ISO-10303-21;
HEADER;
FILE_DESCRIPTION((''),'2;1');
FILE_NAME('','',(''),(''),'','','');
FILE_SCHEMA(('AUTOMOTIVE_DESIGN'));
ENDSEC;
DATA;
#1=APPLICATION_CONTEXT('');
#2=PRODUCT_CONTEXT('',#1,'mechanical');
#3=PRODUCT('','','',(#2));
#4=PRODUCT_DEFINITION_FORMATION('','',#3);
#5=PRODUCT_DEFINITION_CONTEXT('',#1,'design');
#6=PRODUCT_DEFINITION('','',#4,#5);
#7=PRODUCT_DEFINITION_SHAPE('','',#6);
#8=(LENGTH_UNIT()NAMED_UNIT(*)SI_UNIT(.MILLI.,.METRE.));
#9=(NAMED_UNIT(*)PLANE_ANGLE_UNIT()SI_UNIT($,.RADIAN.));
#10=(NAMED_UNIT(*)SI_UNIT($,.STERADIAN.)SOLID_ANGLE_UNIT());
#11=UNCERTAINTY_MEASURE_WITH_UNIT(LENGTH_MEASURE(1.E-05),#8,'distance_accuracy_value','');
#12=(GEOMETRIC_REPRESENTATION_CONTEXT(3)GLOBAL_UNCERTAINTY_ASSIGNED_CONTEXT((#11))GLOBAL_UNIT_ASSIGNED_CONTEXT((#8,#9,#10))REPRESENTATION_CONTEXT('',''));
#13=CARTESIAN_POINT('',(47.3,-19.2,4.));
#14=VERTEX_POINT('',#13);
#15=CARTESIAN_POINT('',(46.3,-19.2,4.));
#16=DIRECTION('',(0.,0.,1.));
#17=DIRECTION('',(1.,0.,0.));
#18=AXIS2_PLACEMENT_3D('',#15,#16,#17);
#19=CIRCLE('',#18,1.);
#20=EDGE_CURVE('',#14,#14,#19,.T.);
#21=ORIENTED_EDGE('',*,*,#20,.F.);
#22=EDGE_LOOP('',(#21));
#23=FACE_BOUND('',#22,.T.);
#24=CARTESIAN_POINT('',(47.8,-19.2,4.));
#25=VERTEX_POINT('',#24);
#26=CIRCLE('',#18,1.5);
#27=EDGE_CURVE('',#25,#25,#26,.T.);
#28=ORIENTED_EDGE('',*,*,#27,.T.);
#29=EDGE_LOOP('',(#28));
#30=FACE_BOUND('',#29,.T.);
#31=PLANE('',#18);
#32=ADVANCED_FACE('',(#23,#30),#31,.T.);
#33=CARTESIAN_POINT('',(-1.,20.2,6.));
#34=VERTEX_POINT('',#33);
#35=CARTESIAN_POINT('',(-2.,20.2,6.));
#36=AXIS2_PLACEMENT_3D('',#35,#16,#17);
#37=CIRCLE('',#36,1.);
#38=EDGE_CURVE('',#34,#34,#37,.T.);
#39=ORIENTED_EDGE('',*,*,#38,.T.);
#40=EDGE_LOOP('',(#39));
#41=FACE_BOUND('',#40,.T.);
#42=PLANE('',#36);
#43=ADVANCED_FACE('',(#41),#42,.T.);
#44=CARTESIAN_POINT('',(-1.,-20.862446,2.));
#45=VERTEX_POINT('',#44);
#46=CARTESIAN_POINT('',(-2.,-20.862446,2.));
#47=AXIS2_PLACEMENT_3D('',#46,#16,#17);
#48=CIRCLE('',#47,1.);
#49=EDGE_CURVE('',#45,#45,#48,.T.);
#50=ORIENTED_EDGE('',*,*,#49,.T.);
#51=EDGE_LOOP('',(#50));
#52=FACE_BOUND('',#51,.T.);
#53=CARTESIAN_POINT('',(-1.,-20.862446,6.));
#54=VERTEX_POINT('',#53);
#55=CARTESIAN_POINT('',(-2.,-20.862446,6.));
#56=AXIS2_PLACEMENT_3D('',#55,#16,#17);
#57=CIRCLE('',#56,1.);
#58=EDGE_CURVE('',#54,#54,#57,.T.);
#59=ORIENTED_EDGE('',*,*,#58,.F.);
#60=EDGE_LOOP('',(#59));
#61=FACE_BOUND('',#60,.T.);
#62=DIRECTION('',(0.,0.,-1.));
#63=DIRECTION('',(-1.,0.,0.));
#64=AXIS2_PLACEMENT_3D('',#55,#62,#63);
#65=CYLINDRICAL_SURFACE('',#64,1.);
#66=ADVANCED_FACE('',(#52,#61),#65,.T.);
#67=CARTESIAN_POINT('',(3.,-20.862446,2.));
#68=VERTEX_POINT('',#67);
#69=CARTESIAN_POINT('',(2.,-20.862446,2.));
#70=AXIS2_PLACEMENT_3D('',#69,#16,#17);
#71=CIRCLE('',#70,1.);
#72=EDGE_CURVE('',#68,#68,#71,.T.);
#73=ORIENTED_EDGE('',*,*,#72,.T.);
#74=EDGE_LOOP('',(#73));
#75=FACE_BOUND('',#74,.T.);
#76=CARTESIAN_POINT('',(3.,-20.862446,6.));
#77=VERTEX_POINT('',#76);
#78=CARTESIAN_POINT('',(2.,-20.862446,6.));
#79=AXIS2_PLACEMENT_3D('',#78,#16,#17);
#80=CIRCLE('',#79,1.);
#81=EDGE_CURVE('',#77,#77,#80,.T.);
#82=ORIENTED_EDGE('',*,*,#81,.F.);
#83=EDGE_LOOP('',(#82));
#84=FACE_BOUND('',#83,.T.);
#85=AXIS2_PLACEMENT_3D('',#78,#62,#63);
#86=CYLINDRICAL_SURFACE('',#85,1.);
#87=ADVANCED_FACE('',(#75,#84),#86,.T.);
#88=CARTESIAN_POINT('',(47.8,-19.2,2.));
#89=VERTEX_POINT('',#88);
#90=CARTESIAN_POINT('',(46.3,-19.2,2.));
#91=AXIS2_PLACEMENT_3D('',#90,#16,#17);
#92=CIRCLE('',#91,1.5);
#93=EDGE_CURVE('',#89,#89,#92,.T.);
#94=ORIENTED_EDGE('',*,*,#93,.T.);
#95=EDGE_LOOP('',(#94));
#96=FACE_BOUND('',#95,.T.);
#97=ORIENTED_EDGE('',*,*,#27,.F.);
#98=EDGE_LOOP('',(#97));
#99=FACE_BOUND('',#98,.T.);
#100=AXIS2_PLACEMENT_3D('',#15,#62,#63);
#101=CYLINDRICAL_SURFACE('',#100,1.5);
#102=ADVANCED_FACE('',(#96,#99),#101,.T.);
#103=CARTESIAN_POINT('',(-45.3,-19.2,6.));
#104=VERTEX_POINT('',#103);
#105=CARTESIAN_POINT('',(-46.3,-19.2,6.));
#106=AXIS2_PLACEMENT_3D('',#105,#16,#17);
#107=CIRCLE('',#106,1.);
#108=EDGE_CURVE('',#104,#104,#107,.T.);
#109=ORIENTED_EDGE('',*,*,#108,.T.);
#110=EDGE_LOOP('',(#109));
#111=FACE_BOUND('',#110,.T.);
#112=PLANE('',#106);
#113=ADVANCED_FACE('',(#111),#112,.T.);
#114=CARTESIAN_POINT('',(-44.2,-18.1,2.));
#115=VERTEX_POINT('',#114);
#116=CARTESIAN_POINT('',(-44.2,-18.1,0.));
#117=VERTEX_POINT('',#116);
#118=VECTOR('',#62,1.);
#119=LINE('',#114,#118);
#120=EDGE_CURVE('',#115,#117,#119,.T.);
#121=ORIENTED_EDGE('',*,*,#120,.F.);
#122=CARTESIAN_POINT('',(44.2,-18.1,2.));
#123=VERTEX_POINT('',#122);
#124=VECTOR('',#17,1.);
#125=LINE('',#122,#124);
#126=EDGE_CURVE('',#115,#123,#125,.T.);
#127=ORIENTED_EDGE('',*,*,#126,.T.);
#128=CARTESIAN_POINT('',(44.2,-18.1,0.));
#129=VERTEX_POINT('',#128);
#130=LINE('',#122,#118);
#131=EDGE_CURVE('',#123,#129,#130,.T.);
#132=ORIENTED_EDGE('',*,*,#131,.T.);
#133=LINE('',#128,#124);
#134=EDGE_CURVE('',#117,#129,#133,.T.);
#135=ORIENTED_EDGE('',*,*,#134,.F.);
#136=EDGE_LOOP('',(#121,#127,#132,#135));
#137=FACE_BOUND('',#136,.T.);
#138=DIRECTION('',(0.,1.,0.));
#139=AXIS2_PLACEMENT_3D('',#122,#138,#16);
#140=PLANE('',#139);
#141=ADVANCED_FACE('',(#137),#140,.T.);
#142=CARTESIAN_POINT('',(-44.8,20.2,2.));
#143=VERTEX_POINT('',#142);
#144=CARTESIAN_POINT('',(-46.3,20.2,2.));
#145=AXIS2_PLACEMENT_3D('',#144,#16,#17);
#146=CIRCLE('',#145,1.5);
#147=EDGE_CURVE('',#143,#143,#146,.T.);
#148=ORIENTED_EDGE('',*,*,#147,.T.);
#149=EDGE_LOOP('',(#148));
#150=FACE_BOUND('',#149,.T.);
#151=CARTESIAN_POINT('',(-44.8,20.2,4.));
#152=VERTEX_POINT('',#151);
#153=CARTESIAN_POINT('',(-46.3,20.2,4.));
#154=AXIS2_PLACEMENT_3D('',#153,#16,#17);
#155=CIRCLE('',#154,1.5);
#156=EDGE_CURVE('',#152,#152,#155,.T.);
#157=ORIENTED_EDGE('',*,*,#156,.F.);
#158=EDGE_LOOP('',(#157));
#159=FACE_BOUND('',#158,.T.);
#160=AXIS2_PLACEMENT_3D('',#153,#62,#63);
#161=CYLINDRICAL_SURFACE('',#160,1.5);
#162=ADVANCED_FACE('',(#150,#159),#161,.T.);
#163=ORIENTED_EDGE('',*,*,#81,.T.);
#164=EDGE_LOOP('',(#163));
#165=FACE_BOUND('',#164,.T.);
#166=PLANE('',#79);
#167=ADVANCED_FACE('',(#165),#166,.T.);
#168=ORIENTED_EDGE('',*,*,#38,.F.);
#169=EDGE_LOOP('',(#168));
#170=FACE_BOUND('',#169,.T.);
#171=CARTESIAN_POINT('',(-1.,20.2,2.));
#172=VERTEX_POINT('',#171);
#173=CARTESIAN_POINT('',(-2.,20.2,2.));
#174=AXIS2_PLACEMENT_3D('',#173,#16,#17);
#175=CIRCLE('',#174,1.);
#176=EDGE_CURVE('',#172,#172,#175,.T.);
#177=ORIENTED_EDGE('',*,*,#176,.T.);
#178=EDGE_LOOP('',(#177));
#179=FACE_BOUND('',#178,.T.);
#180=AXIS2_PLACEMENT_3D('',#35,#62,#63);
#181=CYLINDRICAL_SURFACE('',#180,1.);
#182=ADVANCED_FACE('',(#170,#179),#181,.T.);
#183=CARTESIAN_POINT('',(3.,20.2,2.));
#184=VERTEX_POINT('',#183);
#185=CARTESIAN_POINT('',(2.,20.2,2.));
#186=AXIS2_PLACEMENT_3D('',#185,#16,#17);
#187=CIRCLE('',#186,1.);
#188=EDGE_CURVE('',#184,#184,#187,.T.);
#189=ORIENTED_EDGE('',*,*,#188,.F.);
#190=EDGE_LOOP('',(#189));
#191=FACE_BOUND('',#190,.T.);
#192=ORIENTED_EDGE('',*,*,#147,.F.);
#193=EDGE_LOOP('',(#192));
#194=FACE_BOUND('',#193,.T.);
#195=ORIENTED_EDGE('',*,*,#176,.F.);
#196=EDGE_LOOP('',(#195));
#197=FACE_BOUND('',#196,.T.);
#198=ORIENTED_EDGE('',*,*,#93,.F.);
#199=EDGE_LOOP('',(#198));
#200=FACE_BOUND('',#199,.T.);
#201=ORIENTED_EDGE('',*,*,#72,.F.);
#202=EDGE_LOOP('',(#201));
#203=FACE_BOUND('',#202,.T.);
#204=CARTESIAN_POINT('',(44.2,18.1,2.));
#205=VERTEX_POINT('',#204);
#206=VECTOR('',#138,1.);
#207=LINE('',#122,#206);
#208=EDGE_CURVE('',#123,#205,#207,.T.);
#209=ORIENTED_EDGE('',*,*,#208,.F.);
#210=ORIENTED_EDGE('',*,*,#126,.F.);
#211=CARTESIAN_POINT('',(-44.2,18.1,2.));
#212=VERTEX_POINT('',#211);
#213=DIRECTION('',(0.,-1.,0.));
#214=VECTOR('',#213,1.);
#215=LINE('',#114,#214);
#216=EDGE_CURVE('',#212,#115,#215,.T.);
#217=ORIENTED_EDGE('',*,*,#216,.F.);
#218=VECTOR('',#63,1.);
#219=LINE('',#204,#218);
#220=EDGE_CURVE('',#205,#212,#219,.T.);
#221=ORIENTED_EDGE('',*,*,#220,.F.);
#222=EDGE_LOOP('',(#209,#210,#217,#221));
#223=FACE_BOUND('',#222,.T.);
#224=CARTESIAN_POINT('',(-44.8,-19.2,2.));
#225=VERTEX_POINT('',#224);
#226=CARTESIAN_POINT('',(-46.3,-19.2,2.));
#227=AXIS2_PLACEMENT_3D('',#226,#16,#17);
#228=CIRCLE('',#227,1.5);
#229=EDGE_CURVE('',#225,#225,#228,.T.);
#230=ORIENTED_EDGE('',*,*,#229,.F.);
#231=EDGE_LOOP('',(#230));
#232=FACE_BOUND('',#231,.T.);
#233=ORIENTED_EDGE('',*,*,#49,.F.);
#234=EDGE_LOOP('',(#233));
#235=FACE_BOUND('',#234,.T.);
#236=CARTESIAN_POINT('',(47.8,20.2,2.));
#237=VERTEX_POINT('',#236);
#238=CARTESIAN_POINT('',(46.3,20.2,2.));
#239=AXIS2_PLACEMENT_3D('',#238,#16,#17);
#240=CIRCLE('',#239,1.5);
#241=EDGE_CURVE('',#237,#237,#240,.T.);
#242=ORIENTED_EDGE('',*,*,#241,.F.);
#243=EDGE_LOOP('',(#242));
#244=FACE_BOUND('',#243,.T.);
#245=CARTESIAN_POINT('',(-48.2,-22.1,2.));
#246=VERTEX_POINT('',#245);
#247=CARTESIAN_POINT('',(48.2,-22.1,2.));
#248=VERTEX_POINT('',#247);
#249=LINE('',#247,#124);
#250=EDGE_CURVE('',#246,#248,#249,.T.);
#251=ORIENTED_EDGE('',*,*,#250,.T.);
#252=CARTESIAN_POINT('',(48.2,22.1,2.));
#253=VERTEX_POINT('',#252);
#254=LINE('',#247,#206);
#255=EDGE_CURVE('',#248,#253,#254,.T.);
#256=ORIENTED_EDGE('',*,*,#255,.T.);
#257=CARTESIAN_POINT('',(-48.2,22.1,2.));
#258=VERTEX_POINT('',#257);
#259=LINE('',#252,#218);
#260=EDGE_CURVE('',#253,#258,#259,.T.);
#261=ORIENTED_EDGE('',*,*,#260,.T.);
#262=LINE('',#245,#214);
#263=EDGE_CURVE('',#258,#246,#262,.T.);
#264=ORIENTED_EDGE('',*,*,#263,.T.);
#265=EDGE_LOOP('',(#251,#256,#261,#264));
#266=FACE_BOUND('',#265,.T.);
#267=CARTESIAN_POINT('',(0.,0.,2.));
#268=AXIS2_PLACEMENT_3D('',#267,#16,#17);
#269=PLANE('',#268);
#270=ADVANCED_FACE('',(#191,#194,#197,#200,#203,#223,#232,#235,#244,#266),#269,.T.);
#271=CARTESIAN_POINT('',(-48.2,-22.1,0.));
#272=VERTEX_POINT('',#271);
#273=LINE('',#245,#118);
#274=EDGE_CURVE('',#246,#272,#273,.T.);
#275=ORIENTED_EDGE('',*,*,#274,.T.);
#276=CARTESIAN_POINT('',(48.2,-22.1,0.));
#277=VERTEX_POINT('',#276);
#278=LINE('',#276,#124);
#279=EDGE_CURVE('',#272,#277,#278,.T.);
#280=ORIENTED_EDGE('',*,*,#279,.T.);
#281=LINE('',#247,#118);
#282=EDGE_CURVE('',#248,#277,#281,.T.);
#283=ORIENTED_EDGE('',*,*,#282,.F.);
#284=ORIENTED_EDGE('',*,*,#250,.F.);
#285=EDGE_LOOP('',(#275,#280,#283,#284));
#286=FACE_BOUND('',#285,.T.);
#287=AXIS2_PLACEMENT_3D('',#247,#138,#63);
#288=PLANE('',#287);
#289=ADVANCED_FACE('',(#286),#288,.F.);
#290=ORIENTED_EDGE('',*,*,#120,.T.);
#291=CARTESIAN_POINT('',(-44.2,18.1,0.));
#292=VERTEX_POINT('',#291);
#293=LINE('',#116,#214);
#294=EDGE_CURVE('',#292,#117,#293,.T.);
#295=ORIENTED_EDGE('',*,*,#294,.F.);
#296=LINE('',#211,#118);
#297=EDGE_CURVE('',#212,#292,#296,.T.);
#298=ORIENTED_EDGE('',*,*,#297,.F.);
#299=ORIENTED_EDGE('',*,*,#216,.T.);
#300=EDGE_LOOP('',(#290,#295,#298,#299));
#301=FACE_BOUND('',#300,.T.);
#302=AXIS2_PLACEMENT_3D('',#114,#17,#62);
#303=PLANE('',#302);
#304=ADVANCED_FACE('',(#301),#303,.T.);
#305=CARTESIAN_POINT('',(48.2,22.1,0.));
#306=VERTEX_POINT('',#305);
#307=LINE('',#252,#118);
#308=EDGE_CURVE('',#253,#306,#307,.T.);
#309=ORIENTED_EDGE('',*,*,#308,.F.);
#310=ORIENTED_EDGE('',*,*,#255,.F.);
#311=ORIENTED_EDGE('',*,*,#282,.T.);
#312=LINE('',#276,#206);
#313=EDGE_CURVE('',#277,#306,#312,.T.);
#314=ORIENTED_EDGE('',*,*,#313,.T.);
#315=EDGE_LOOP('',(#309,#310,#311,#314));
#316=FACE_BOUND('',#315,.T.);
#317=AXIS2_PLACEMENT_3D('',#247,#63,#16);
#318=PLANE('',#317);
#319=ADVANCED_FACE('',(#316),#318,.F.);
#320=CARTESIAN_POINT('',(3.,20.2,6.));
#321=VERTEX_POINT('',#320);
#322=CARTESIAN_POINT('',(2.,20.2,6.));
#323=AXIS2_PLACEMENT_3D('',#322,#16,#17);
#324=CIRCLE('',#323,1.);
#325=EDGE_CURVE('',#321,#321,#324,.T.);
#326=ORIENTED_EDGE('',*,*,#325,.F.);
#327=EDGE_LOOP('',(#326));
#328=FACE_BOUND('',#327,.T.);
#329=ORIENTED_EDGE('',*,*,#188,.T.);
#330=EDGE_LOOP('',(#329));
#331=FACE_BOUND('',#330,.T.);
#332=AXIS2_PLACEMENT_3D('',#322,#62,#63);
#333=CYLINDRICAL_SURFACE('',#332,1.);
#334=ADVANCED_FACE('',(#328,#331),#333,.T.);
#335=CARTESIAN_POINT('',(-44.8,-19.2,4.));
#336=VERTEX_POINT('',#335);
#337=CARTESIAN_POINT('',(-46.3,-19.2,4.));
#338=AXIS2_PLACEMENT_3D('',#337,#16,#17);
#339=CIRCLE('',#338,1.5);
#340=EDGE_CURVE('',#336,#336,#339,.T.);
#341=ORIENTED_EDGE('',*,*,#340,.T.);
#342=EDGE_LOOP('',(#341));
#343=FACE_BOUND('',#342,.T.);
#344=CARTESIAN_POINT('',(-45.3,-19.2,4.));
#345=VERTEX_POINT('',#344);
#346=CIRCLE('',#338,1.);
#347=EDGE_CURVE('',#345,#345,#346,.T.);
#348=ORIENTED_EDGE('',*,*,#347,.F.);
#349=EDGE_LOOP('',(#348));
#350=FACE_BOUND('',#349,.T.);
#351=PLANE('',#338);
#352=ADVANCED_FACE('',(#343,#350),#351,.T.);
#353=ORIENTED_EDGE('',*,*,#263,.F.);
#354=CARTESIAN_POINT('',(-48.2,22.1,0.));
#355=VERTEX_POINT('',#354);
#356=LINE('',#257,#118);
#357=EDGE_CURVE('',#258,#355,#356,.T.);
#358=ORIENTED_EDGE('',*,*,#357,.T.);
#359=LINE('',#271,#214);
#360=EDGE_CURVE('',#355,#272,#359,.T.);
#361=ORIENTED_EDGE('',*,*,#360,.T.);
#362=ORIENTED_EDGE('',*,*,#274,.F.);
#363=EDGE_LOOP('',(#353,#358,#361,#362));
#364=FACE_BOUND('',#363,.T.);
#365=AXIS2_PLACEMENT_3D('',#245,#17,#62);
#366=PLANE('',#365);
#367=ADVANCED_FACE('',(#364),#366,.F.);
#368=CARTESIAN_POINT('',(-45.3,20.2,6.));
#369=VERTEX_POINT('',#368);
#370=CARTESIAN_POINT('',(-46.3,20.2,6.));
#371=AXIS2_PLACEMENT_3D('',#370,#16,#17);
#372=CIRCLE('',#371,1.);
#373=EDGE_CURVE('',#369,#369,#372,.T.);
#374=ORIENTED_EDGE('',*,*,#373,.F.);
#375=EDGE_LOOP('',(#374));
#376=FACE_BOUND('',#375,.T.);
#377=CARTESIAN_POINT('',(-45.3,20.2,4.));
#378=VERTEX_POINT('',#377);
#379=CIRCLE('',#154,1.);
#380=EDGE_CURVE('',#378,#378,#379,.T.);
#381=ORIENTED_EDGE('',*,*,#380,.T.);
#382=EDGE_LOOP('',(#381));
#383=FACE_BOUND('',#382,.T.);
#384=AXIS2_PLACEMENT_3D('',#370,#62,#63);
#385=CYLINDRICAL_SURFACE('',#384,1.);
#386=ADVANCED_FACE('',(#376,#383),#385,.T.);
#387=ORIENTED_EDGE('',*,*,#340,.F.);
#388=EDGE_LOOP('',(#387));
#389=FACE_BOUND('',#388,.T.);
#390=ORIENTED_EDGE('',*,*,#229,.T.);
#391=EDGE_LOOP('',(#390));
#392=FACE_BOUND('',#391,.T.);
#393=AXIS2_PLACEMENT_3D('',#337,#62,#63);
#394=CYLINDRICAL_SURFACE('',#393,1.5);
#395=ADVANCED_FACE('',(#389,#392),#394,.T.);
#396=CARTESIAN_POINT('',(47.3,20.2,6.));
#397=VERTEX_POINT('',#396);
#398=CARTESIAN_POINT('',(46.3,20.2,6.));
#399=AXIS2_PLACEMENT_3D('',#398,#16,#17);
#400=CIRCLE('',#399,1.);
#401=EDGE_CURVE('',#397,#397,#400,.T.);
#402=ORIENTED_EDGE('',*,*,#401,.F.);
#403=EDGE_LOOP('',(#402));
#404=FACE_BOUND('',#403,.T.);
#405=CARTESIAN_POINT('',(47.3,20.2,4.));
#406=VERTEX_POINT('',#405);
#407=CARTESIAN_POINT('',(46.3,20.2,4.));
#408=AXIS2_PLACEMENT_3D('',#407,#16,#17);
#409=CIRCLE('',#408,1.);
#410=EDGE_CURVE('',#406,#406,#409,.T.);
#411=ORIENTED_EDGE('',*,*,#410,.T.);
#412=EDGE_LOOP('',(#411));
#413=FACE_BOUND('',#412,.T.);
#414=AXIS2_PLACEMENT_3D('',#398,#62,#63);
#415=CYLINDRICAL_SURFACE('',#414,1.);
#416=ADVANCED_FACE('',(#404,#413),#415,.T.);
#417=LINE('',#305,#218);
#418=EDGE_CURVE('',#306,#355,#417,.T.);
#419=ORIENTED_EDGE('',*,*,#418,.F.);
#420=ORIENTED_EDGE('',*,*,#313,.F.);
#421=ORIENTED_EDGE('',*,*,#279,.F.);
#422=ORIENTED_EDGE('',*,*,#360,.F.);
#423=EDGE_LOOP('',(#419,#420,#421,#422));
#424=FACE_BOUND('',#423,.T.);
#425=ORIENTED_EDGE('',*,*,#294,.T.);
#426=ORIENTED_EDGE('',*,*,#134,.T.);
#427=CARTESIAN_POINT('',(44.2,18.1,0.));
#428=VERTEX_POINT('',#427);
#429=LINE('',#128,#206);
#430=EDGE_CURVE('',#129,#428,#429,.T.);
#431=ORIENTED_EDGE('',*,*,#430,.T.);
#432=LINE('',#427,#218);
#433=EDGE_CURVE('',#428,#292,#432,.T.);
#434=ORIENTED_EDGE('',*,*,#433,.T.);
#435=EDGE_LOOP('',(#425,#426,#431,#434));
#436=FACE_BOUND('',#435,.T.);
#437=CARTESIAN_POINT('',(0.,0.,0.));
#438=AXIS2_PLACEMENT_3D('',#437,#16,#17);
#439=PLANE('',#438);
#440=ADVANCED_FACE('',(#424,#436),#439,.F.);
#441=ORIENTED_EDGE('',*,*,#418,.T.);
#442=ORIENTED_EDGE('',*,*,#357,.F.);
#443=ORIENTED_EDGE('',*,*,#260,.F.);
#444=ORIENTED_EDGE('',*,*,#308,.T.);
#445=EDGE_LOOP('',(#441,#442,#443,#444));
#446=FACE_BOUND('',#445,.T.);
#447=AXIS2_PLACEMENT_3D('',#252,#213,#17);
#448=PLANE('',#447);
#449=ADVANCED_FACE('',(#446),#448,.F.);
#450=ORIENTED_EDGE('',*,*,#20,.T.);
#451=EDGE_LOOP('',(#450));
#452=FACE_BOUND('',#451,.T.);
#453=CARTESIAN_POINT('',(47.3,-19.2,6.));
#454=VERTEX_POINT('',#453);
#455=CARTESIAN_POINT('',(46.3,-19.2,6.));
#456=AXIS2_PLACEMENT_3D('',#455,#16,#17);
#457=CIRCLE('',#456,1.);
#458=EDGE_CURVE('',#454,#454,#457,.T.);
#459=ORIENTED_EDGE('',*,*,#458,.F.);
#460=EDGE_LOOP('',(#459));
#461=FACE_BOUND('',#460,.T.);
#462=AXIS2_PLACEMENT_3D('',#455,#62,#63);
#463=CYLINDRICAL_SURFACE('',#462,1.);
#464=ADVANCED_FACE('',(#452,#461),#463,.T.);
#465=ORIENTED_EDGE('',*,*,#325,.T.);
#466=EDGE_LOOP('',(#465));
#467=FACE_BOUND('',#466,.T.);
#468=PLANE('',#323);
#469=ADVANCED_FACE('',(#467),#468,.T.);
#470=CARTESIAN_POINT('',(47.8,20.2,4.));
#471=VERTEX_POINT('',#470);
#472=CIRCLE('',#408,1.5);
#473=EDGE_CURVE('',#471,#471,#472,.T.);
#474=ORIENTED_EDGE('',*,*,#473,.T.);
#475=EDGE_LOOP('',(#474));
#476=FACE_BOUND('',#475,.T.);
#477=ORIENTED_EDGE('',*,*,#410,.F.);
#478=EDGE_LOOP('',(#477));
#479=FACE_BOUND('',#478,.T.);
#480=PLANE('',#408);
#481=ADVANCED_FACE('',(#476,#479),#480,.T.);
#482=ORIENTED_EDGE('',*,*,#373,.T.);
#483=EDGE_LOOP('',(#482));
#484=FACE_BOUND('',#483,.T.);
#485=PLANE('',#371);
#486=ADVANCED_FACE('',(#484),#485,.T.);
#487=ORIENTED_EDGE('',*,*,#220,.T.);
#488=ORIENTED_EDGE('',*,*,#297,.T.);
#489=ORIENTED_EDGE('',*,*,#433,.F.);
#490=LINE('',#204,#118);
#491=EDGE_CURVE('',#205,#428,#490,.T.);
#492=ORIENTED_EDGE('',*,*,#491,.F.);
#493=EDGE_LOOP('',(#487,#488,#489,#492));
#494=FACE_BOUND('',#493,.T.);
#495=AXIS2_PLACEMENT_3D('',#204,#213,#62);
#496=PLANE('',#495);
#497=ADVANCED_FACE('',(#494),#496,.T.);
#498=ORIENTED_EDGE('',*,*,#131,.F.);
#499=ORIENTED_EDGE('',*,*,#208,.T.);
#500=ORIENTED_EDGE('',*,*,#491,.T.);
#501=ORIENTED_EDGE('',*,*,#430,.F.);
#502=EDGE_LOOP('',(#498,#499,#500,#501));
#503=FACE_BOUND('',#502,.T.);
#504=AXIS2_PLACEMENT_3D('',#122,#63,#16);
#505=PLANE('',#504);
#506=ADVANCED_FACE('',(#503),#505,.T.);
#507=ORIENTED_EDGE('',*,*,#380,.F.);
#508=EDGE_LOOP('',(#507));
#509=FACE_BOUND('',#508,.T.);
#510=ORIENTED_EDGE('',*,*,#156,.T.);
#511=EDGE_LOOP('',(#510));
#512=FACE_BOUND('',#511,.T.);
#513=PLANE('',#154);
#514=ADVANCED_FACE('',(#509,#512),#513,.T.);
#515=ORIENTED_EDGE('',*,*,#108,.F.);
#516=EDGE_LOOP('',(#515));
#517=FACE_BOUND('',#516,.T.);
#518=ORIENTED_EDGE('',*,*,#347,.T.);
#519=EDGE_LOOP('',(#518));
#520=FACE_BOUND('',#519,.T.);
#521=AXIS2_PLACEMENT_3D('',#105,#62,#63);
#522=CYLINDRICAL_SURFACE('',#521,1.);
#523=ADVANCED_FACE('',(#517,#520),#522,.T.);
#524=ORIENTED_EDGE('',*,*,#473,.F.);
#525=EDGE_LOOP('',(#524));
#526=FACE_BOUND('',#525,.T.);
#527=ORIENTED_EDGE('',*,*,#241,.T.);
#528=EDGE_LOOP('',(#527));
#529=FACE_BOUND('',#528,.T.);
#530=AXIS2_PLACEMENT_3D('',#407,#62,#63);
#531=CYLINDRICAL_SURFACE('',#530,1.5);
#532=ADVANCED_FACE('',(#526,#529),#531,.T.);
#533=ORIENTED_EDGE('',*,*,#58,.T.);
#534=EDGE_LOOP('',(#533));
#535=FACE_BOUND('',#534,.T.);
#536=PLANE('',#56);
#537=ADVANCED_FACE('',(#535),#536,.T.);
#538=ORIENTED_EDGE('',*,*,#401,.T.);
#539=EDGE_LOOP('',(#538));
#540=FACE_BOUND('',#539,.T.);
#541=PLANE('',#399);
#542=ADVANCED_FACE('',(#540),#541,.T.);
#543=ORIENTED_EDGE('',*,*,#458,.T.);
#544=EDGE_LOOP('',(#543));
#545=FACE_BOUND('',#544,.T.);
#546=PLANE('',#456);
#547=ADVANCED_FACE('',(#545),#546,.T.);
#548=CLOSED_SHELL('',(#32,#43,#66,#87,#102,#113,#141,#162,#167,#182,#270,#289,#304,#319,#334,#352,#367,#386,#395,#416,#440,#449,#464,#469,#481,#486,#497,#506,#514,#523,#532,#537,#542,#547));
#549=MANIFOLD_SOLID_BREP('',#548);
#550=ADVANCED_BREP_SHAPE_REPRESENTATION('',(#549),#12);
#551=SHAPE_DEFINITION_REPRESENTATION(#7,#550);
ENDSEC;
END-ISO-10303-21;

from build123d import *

# Parameters (mm, degrees)
SKETCH1_W           = 96.4
SKETCH1_H           = 44.2
SKETCH1_W_2         = 88.4
SKETCH1_H_2         = 36.2
BOSS_EXTRUDE1_DEPTH = 2
SKETCH2_R           = 1
BOSS_EXTRUDE2_DEPTH = 4
SKETCH3_R           = 1.5
BOSS_EXTRUDE3_DEPTH = 2


with BuildPart() as part:
    # Sketch1 → Boss-Extrude1 (new body)
    with BuildSketch(Plane.XY):
        Rectangle(SKETCH1_W, SKETCH1_H)
        Rectangle(SKETCH1_W_2, SKETCH1_H_2, mode=Mode.SUBTRACT)
    extrude(amount=BOSS_EXTRUDE1_DEPTH)

    # Sketch2 → Boss-Extrude2 (add)
    with BuildSketch(Plane.XY.offset(2)):
        with Locations((-46.3, 20.2)):
            Circle(SKETCH2_R)
        with Locations((-46.3, -19.2)):
            Circle(SKETCH2_R)
        with Locations((46.3, -19.2)):
            Circle(SKETCH2_R)
        with Locations((46.3, 20.2)):
            Circle(SKETCH2_R)
        with Locations((-2, 20.2)):
            Circle(SKETCH2_R)
        with Locations((-2, -20.862445561)):
            Circle(SKETCH2_R)
        with Locations((2, 20.2)):
            Circle(SKETCH2_R)
        with Locations((2, -20.862445561)):
            Circle(SKETCH2_R)
    extrude(amount=BOSS_EXTRUDE2_DEPTH)

    # Sketch3 → Boss-Extrude3 (add)
    with BuildSketch(Plane.XY.offset(2)):
        with Locations((-46.3, 20.2)):
            Circle(SKETCH3_R)
        with Locations((-46.3, -19.2)):
            Circle(SKETCH3_R)
        with Locations((46.3, -19.2)):
            Circle(SKETCH3_R)
        with Locations((46.3, 20.2)):
            Circle(SKETCH3_R)
    extrude(amount=BOSS_EXTRUDE3_DEPTH)


solid = part.part
